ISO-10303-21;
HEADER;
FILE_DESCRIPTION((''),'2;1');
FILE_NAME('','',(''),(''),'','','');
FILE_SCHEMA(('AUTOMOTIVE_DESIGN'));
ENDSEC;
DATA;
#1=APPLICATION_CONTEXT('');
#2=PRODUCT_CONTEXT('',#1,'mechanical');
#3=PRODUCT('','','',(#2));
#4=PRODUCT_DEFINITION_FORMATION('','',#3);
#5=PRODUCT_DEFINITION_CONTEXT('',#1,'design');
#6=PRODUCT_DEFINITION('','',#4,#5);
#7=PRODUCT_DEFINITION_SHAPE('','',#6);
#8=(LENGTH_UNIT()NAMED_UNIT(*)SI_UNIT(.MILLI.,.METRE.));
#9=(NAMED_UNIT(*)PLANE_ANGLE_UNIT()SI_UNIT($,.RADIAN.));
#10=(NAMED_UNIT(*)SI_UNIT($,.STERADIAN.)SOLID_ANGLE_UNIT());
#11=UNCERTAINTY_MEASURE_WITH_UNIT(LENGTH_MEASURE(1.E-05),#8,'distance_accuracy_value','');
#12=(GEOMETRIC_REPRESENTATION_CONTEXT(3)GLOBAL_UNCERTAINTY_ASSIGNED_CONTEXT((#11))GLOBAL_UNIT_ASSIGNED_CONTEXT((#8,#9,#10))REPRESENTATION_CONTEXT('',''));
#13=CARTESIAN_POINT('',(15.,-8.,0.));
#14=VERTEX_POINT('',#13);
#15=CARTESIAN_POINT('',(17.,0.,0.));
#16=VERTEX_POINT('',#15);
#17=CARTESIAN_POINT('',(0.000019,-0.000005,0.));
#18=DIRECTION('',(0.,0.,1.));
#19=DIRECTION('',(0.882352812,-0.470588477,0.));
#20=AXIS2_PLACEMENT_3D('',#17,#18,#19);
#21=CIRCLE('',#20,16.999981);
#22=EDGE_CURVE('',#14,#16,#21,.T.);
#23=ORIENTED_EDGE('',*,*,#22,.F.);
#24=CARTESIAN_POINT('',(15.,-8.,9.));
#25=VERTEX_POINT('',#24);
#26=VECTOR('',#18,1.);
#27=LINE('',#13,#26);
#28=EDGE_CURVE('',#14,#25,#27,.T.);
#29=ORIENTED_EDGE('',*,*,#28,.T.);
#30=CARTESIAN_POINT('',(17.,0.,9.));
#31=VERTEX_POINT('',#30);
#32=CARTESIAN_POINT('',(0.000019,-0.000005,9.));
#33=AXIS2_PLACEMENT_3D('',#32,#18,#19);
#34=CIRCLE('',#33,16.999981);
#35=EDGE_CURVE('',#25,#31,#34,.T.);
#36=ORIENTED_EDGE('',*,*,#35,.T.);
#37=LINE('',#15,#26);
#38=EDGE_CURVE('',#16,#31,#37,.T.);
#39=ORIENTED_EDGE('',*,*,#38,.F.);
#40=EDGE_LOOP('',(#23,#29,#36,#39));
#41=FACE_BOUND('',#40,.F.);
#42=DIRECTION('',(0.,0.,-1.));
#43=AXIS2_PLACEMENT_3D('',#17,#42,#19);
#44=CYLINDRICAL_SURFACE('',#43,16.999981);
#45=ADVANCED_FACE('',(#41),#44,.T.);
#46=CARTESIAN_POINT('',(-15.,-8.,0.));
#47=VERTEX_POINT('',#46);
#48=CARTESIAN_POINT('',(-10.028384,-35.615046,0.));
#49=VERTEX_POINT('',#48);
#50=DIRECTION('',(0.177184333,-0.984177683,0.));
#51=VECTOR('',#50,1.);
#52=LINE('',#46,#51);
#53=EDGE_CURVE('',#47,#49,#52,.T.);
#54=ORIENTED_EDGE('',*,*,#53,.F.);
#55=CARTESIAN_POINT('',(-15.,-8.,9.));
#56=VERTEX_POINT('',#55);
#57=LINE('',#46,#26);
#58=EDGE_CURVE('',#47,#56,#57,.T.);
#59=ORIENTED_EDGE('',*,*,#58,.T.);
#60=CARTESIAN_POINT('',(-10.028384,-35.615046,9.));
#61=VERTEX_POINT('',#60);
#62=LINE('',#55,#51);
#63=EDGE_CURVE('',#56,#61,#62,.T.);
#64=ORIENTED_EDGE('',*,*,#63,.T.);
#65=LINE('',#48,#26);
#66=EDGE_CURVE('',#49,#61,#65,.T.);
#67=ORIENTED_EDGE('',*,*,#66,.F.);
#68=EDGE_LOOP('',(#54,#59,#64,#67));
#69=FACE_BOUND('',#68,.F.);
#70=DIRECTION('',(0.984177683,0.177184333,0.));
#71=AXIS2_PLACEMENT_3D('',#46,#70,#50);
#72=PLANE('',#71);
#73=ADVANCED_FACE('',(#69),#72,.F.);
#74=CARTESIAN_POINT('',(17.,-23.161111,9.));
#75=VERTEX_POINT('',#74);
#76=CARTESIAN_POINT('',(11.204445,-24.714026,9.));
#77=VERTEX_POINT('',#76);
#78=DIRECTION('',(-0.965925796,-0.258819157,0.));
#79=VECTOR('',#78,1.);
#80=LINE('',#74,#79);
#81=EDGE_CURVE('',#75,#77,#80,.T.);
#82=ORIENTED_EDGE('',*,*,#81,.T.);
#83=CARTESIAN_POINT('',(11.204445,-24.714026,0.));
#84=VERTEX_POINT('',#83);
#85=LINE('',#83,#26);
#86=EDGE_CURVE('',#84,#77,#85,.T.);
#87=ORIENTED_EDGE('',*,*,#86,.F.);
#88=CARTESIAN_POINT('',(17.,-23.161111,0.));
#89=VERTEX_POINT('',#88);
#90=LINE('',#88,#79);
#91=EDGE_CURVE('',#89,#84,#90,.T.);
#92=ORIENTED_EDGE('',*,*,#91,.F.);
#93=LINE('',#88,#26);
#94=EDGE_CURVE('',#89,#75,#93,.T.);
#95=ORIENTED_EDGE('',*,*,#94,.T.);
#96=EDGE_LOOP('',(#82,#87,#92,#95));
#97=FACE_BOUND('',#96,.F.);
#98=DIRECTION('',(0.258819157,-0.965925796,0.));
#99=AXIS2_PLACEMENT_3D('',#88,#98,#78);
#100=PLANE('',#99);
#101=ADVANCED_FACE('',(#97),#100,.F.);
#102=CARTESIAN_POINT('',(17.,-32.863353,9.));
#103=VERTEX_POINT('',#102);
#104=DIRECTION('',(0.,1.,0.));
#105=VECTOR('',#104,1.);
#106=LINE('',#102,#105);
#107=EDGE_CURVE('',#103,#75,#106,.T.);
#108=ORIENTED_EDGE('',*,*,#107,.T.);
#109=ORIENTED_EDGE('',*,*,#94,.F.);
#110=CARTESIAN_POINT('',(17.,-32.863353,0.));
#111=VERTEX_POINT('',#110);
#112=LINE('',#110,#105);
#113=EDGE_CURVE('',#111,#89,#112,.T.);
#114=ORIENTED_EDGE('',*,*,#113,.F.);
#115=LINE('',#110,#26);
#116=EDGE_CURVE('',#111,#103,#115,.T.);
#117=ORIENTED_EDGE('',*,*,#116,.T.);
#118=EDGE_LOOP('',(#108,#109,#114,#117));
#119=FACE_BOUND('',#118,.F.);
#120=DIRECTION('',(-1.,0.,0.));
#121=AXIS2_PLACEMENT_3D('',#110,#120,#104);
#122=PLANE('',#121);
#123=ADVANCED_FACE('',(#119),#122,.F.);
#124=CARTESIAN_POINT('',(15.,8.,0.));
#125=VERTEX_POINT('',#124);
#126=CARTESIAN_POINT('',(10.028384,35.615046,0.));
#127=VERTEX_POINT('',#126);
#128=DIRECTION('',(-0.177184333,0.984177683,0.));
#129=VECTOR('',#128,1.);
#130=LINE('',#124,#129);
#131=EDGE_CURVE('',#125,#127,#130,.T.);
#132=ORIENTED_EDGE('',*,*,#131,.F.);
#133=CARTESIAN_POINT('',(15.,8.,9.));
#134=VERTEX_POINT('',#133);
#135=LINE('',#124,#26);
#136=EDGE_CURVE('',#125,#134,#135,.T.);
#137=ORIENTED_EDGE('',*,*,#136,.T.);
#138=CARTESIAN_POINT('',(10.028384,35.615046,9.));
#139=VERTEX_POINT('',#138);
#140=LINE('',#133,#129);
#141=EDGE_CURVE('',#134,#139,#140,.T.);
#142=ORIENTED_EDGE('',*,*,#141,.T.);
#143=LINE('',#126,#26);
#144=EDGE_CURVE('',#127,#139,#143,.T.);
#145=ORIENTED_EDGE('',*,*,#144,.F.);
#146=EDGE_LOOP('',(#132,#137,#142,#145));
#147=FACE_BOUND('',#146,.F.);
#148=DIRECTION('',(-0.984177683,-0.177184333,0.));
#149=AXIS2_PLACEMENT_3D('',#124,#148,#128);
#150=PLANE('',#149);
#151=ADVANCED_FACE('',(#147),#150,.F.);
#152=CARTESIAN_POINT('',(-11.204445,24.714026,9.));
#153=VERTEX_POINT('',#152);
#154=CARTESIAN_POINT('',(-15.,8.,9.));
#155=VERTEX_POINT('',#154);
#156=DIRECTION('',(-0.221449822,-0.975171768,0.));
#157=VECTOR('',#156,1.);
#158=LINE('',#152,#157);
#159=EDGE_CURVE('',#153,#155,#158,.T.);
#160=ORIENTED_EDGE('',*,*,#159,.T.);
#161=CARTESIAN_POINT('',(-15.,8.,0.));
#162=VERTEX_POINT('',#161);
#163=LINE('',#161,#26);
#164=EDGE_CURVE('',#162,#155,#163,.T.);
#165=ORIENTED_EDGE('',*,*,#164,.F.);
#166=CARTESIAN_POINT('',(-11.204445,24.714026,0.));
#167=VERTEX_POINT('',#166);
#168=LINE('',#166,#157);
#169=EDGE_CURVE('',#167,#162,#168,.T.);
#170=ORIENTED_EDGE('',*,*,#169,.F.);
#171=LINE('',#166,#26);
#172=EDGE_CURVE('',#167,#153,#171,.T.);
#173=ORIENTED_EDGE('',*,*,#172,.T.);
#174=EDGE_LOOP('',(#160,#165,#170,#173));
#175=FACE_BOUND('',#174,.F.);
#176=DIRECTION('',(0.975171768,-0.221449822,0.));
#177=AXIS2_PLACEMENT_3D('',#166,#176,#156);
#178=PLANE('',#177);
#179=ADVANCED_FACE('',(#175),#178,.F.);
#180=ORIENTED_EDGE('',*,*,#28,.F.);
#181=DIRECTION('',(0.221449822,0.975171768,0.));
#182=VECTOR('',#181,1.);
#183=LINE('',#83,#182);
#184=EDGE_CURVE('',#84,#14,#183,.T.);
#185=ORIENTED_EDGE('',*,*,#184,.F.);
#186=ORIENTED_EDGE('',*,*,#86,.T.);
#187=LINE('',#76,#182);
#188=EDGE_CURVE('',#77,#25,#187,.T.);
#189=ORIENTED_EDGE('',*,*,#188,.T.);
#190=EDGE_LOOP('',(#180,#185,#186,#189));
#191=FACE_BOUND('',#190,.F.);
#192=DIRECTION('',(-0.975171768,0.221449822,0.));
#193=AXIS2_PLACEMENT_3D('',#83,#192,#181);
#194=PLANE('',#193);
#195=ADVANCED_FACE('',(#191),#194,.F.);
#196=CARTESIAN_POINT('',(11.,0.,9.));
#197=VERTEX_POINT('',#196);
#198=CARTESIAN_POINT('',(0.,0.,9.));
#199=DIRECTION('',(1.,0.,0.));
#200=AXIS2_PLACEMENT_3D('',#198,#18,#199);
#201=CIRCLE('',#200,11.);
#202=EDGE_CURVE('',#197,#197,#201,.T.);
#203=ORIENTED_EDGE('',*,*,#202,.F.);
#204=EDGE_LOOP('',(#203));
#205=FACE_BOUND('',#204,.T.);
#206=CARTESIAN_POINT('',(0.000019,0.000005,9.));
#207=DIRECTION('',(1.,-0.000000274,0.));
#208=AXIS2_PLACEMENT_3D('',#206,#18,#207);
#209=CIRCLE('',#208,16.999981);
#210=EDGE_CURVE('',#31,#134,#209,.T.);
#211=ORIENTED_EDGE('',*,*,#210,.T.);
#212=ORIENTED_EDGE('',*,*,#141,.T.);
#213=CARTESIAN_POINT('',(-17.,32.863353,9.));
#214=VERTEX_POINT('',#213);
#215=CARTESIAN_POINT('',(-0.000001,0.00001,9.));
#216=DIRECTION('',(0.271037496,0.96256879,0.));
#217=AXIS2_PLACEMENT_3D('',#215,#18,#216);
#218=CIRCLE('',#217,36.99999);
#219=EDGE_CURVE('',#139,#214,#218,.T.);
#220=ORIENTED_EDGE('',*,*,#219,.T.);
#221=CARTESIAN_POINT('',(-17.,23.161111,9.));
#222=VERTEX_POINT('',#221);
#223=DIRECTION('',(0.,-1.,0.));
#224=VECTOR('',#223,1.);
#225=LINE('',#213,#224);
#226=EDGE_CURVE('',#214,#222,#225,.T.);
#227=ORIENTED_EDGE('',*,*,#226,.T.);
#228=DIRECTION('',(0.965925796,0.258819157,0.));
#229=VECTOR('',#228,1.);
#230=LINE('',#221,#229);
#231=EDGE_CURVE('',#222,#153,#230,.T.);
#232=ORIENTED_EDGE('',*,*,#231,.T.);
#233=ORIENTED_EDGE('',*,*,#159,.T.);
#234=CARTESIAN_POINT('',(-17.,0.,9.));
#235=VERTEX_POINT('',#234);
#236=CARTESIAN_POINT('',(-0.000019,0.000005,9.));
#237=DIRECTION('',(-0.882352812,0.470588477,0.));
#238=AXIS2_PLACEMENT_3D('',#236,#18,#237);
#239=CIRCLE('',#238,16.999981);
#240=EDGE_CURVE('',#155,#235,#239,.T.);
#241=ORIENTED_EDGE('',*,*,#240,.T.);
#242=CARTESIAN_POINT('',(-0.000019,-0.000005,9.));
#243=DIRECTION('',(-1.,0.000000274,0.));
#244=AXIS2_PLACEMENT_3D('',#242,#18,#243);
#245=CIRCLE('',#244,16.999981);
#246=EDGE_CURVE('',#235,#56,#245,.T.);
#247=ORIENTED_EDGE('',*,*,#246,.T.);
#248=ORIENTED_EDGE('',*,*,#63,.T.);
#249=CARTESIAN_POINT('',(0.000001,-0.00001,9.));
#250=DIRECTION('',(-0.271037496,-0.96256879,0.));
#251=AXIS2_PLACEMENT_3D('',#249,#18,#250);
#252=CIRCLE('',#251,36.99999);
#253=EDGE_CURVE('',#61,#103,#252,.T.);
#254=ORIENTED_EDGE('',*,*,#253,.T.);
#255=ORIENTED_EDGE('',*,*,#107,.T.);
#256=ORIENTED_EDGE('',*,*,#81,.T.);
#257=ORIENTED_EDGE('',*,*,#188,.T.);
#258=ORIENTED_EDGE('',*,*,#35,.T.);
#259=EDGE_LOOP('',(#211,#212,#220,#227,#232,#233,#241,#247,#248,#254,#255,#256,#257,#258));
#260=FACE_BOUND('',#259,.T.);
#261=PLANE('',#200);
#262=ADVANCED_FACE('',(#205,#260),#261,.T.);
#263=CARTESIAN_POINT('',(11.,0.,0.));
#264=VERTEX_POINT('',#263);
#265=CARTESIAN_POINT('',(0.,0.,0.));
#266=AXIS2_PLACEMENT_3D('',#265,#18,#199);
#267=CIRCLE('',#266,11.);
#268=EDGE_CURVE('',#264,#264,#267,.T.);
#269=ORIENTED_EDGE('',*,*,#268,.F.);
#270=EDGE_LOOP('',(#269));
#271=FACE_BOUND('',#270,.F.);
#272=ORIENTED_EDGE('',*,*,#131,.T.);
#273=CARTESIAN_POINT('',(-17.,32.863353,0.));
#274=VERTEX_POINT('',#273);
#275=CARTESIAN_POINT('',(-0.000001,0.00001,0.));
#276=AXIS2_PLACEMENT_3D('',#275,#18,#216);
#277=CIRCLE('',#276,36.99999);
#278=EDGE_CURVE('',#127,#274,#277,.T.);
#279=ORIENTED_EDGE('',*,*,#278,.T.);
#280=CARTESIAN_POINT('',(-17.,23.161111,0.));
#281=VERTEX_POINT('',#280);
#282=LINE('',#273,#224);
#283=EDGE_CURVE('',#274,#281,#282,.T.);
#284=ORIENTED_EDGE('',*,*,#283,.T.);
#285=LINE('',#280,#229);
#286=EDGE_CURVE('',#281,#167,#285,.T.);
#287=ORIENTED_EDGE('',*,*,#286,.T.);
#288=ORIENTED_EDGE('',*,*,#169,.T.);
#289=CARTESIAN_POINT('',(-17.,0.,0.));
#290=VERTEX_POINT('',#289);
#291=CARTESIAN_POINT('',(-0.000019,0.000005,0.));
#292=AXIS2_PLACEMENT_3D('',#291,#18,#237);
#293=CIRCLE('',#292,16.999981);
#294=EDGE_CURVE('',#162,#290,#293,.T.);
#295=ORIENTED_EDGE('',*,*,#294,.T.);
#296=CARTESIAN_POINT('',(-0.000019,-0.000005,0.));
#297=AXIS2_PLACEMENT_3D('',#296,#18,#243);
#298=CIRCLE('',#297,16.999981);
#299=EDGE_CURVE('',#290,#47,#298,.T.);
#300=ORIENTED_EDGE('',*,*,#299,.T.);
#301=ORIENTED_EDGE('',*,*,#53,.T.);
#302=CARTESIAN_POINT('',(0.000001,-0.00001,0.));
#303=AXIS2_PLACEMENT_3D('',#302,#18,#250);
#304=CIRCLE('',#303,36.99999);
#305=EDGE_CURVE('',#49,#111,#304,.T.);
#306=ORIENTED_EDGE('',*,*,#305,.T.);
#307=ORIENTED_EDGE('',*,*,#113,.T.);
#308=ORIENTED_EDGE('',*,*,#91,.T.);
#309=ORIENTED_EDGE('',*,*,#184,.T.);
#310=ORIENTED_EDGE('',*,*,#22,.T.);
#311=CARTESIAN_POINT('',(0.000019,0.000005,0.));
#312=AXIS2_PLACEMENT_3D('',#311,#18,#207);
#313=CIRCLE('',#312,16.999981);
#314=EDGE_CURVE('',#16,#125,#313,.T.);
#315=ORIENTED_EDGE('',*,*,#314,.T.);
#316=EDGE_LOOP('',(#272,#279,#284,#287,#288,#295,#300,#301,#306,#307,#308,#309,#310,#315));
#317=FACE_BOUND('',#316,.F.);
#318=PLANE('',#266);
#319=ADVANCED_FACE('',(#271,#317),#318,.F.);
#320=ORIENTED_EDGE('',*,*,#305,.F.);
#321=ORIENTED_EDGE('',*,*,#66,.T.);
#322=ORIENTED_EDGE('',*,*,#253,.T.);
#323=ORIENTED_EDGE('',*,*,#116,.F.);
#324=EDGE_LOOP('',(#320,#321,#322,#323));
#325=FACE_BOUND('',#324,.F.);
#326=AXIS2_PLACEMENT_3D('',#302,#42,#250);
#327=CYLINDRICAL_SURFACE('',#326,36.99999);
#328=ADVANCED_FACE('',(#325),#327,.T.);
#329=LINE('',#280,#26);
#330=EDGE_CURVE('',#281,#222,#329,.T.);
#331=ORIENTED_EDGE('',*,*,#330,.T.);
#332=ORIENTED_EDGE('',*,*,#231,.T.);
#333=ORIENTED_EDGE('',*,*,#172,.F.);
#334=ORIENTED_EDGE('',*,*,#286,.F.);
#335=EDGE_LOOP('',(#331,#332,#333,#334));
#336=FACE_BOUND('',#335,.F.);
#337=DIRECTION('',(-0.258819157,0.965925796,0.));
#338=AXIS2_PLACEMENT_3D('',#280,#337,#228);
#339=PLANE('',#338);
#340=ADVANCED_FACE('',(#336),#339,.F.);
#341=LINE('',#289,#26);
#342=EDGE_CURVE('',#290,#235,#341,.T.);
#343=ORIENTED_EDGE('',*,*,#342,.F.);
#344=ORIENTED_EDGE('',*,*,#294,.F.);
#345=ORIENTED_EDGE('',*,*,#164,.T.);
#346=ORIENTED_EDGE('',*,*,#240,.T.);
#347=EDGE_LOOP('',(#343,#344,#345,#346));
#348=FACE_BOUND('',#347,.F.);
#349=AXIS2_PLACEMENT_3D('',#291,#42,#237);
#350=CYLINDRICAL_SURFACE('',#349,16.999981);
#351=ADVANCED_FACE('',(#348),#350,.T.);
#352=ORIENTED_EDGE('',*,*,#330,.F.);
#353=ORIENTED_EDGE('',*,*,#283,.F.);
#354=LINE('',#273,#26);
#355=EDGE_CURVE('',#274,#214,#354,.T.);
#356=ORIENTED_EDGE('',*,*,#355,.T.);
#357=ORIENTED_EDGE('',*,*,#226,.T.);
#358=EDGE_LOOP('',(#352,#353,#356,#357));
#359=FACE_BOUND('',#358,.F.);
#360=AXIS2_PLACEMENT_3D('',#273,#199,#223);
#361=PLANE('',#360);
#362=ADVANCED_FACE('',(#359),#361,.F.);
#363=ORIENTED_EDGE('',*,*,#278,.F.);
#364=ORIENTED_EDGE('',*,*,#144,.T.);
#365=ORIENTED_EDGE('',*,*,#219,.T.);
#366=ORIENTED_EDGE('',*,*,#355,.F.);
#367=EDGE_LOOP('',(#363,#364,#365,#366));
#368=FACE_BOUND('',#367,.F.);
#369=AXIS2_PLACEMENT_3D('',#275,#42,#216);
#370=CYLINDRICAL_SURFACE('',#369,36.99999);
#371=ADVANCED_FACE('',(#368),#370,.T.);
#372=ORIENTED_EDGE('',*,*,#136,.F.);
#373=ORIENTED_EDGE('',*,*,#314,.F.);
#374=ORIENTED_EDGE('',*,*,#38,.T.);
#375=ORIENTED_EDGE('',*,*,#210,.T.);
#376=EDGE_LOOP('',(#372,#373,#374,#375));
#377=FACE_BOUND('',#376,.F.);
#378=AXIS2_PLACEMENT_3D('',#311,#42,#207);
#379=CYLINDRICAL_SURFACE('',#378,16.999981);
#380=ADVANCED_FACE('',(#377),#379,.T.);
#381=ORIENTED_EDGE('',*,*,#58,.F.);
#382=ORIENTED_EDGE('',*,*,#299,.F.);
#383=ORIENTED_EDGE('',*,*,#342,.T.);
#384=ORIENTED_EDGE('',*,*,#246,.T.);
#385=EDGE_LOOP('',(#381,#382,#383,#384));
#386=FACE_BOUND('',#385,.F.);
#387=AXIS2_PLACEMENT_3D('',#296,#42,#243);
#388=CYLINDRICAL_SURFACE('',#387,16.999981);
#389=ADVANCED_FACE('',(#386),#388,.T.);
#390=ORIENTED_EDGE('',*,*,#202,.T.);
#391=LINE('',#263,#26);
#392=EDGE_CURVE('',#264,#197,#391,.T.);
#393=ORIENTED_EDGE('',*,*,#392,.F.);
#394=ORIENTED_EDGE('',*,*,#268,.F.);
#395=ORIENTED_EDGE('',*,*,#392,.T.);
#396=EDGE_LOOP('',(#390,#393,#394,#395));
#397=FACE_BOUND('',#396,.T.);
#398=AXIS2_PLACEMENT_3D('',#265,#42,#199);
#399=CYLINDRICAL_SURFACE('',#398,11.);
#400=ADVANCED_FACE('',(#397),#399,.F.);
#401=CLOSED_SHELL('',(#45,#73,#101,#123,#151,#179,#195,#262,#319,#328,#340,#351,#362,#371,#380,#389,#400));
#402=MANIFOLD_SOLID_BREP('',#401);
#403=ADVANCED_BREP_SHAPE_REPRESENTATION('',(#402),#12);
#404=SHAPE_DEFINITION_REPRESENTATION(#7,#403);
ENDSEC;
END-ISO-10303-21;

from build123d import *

# Parameters (mm, degrees)
F0_R     = 11
F1_DEPTH = 9


with BuildPart() as f1:
    # F0 (on Top) → F1 (new body)
    with BuildSketch(Plane.XY):
        with BuildLine():
            ThreePointArc((10.028384, 35.615046), (-3.747507, 36.80973), (-17, 32.863353))
            Line((-17, 32.863353), (-17, 23.161111))
            Line((-17, 23.161111), (-11.204445, 24.714026))
            Line((-11.204445, 24.714026), (-15, 8))
            ThreePointArc((-15, 8), (-16.492423, 4.123106), (-17, 0))
            ThreePointArc((-17, 0), (-16.492423, -4.123106), (-15, -8))
            Line((-15, -8), (-10.028384, -35.615046))
            ThreePointArc((-10.028384, -35.615046), (3.747507, -36.80973), (17, -32.863353))
            Line((17, -32.863353), (17, -23.161111))
            Line((17, -23.161111), (11.204445, -24.714026))
            Line((11.204445, -24.714026), (15, -8))
            ThreePointArc((15, -8), (16.492423, -4.123106), (17, 0))
            ThreePointArc((17, 0), (16.492423, 4.123106), (15, 8))
            Line((15, 8), (10.028384, 35.615046))
        make_face()
        Circle(F0_R, mode=Mode.SUBTRACT)
    extrude(amount=F1_DEPTH)


solid = f1.part
